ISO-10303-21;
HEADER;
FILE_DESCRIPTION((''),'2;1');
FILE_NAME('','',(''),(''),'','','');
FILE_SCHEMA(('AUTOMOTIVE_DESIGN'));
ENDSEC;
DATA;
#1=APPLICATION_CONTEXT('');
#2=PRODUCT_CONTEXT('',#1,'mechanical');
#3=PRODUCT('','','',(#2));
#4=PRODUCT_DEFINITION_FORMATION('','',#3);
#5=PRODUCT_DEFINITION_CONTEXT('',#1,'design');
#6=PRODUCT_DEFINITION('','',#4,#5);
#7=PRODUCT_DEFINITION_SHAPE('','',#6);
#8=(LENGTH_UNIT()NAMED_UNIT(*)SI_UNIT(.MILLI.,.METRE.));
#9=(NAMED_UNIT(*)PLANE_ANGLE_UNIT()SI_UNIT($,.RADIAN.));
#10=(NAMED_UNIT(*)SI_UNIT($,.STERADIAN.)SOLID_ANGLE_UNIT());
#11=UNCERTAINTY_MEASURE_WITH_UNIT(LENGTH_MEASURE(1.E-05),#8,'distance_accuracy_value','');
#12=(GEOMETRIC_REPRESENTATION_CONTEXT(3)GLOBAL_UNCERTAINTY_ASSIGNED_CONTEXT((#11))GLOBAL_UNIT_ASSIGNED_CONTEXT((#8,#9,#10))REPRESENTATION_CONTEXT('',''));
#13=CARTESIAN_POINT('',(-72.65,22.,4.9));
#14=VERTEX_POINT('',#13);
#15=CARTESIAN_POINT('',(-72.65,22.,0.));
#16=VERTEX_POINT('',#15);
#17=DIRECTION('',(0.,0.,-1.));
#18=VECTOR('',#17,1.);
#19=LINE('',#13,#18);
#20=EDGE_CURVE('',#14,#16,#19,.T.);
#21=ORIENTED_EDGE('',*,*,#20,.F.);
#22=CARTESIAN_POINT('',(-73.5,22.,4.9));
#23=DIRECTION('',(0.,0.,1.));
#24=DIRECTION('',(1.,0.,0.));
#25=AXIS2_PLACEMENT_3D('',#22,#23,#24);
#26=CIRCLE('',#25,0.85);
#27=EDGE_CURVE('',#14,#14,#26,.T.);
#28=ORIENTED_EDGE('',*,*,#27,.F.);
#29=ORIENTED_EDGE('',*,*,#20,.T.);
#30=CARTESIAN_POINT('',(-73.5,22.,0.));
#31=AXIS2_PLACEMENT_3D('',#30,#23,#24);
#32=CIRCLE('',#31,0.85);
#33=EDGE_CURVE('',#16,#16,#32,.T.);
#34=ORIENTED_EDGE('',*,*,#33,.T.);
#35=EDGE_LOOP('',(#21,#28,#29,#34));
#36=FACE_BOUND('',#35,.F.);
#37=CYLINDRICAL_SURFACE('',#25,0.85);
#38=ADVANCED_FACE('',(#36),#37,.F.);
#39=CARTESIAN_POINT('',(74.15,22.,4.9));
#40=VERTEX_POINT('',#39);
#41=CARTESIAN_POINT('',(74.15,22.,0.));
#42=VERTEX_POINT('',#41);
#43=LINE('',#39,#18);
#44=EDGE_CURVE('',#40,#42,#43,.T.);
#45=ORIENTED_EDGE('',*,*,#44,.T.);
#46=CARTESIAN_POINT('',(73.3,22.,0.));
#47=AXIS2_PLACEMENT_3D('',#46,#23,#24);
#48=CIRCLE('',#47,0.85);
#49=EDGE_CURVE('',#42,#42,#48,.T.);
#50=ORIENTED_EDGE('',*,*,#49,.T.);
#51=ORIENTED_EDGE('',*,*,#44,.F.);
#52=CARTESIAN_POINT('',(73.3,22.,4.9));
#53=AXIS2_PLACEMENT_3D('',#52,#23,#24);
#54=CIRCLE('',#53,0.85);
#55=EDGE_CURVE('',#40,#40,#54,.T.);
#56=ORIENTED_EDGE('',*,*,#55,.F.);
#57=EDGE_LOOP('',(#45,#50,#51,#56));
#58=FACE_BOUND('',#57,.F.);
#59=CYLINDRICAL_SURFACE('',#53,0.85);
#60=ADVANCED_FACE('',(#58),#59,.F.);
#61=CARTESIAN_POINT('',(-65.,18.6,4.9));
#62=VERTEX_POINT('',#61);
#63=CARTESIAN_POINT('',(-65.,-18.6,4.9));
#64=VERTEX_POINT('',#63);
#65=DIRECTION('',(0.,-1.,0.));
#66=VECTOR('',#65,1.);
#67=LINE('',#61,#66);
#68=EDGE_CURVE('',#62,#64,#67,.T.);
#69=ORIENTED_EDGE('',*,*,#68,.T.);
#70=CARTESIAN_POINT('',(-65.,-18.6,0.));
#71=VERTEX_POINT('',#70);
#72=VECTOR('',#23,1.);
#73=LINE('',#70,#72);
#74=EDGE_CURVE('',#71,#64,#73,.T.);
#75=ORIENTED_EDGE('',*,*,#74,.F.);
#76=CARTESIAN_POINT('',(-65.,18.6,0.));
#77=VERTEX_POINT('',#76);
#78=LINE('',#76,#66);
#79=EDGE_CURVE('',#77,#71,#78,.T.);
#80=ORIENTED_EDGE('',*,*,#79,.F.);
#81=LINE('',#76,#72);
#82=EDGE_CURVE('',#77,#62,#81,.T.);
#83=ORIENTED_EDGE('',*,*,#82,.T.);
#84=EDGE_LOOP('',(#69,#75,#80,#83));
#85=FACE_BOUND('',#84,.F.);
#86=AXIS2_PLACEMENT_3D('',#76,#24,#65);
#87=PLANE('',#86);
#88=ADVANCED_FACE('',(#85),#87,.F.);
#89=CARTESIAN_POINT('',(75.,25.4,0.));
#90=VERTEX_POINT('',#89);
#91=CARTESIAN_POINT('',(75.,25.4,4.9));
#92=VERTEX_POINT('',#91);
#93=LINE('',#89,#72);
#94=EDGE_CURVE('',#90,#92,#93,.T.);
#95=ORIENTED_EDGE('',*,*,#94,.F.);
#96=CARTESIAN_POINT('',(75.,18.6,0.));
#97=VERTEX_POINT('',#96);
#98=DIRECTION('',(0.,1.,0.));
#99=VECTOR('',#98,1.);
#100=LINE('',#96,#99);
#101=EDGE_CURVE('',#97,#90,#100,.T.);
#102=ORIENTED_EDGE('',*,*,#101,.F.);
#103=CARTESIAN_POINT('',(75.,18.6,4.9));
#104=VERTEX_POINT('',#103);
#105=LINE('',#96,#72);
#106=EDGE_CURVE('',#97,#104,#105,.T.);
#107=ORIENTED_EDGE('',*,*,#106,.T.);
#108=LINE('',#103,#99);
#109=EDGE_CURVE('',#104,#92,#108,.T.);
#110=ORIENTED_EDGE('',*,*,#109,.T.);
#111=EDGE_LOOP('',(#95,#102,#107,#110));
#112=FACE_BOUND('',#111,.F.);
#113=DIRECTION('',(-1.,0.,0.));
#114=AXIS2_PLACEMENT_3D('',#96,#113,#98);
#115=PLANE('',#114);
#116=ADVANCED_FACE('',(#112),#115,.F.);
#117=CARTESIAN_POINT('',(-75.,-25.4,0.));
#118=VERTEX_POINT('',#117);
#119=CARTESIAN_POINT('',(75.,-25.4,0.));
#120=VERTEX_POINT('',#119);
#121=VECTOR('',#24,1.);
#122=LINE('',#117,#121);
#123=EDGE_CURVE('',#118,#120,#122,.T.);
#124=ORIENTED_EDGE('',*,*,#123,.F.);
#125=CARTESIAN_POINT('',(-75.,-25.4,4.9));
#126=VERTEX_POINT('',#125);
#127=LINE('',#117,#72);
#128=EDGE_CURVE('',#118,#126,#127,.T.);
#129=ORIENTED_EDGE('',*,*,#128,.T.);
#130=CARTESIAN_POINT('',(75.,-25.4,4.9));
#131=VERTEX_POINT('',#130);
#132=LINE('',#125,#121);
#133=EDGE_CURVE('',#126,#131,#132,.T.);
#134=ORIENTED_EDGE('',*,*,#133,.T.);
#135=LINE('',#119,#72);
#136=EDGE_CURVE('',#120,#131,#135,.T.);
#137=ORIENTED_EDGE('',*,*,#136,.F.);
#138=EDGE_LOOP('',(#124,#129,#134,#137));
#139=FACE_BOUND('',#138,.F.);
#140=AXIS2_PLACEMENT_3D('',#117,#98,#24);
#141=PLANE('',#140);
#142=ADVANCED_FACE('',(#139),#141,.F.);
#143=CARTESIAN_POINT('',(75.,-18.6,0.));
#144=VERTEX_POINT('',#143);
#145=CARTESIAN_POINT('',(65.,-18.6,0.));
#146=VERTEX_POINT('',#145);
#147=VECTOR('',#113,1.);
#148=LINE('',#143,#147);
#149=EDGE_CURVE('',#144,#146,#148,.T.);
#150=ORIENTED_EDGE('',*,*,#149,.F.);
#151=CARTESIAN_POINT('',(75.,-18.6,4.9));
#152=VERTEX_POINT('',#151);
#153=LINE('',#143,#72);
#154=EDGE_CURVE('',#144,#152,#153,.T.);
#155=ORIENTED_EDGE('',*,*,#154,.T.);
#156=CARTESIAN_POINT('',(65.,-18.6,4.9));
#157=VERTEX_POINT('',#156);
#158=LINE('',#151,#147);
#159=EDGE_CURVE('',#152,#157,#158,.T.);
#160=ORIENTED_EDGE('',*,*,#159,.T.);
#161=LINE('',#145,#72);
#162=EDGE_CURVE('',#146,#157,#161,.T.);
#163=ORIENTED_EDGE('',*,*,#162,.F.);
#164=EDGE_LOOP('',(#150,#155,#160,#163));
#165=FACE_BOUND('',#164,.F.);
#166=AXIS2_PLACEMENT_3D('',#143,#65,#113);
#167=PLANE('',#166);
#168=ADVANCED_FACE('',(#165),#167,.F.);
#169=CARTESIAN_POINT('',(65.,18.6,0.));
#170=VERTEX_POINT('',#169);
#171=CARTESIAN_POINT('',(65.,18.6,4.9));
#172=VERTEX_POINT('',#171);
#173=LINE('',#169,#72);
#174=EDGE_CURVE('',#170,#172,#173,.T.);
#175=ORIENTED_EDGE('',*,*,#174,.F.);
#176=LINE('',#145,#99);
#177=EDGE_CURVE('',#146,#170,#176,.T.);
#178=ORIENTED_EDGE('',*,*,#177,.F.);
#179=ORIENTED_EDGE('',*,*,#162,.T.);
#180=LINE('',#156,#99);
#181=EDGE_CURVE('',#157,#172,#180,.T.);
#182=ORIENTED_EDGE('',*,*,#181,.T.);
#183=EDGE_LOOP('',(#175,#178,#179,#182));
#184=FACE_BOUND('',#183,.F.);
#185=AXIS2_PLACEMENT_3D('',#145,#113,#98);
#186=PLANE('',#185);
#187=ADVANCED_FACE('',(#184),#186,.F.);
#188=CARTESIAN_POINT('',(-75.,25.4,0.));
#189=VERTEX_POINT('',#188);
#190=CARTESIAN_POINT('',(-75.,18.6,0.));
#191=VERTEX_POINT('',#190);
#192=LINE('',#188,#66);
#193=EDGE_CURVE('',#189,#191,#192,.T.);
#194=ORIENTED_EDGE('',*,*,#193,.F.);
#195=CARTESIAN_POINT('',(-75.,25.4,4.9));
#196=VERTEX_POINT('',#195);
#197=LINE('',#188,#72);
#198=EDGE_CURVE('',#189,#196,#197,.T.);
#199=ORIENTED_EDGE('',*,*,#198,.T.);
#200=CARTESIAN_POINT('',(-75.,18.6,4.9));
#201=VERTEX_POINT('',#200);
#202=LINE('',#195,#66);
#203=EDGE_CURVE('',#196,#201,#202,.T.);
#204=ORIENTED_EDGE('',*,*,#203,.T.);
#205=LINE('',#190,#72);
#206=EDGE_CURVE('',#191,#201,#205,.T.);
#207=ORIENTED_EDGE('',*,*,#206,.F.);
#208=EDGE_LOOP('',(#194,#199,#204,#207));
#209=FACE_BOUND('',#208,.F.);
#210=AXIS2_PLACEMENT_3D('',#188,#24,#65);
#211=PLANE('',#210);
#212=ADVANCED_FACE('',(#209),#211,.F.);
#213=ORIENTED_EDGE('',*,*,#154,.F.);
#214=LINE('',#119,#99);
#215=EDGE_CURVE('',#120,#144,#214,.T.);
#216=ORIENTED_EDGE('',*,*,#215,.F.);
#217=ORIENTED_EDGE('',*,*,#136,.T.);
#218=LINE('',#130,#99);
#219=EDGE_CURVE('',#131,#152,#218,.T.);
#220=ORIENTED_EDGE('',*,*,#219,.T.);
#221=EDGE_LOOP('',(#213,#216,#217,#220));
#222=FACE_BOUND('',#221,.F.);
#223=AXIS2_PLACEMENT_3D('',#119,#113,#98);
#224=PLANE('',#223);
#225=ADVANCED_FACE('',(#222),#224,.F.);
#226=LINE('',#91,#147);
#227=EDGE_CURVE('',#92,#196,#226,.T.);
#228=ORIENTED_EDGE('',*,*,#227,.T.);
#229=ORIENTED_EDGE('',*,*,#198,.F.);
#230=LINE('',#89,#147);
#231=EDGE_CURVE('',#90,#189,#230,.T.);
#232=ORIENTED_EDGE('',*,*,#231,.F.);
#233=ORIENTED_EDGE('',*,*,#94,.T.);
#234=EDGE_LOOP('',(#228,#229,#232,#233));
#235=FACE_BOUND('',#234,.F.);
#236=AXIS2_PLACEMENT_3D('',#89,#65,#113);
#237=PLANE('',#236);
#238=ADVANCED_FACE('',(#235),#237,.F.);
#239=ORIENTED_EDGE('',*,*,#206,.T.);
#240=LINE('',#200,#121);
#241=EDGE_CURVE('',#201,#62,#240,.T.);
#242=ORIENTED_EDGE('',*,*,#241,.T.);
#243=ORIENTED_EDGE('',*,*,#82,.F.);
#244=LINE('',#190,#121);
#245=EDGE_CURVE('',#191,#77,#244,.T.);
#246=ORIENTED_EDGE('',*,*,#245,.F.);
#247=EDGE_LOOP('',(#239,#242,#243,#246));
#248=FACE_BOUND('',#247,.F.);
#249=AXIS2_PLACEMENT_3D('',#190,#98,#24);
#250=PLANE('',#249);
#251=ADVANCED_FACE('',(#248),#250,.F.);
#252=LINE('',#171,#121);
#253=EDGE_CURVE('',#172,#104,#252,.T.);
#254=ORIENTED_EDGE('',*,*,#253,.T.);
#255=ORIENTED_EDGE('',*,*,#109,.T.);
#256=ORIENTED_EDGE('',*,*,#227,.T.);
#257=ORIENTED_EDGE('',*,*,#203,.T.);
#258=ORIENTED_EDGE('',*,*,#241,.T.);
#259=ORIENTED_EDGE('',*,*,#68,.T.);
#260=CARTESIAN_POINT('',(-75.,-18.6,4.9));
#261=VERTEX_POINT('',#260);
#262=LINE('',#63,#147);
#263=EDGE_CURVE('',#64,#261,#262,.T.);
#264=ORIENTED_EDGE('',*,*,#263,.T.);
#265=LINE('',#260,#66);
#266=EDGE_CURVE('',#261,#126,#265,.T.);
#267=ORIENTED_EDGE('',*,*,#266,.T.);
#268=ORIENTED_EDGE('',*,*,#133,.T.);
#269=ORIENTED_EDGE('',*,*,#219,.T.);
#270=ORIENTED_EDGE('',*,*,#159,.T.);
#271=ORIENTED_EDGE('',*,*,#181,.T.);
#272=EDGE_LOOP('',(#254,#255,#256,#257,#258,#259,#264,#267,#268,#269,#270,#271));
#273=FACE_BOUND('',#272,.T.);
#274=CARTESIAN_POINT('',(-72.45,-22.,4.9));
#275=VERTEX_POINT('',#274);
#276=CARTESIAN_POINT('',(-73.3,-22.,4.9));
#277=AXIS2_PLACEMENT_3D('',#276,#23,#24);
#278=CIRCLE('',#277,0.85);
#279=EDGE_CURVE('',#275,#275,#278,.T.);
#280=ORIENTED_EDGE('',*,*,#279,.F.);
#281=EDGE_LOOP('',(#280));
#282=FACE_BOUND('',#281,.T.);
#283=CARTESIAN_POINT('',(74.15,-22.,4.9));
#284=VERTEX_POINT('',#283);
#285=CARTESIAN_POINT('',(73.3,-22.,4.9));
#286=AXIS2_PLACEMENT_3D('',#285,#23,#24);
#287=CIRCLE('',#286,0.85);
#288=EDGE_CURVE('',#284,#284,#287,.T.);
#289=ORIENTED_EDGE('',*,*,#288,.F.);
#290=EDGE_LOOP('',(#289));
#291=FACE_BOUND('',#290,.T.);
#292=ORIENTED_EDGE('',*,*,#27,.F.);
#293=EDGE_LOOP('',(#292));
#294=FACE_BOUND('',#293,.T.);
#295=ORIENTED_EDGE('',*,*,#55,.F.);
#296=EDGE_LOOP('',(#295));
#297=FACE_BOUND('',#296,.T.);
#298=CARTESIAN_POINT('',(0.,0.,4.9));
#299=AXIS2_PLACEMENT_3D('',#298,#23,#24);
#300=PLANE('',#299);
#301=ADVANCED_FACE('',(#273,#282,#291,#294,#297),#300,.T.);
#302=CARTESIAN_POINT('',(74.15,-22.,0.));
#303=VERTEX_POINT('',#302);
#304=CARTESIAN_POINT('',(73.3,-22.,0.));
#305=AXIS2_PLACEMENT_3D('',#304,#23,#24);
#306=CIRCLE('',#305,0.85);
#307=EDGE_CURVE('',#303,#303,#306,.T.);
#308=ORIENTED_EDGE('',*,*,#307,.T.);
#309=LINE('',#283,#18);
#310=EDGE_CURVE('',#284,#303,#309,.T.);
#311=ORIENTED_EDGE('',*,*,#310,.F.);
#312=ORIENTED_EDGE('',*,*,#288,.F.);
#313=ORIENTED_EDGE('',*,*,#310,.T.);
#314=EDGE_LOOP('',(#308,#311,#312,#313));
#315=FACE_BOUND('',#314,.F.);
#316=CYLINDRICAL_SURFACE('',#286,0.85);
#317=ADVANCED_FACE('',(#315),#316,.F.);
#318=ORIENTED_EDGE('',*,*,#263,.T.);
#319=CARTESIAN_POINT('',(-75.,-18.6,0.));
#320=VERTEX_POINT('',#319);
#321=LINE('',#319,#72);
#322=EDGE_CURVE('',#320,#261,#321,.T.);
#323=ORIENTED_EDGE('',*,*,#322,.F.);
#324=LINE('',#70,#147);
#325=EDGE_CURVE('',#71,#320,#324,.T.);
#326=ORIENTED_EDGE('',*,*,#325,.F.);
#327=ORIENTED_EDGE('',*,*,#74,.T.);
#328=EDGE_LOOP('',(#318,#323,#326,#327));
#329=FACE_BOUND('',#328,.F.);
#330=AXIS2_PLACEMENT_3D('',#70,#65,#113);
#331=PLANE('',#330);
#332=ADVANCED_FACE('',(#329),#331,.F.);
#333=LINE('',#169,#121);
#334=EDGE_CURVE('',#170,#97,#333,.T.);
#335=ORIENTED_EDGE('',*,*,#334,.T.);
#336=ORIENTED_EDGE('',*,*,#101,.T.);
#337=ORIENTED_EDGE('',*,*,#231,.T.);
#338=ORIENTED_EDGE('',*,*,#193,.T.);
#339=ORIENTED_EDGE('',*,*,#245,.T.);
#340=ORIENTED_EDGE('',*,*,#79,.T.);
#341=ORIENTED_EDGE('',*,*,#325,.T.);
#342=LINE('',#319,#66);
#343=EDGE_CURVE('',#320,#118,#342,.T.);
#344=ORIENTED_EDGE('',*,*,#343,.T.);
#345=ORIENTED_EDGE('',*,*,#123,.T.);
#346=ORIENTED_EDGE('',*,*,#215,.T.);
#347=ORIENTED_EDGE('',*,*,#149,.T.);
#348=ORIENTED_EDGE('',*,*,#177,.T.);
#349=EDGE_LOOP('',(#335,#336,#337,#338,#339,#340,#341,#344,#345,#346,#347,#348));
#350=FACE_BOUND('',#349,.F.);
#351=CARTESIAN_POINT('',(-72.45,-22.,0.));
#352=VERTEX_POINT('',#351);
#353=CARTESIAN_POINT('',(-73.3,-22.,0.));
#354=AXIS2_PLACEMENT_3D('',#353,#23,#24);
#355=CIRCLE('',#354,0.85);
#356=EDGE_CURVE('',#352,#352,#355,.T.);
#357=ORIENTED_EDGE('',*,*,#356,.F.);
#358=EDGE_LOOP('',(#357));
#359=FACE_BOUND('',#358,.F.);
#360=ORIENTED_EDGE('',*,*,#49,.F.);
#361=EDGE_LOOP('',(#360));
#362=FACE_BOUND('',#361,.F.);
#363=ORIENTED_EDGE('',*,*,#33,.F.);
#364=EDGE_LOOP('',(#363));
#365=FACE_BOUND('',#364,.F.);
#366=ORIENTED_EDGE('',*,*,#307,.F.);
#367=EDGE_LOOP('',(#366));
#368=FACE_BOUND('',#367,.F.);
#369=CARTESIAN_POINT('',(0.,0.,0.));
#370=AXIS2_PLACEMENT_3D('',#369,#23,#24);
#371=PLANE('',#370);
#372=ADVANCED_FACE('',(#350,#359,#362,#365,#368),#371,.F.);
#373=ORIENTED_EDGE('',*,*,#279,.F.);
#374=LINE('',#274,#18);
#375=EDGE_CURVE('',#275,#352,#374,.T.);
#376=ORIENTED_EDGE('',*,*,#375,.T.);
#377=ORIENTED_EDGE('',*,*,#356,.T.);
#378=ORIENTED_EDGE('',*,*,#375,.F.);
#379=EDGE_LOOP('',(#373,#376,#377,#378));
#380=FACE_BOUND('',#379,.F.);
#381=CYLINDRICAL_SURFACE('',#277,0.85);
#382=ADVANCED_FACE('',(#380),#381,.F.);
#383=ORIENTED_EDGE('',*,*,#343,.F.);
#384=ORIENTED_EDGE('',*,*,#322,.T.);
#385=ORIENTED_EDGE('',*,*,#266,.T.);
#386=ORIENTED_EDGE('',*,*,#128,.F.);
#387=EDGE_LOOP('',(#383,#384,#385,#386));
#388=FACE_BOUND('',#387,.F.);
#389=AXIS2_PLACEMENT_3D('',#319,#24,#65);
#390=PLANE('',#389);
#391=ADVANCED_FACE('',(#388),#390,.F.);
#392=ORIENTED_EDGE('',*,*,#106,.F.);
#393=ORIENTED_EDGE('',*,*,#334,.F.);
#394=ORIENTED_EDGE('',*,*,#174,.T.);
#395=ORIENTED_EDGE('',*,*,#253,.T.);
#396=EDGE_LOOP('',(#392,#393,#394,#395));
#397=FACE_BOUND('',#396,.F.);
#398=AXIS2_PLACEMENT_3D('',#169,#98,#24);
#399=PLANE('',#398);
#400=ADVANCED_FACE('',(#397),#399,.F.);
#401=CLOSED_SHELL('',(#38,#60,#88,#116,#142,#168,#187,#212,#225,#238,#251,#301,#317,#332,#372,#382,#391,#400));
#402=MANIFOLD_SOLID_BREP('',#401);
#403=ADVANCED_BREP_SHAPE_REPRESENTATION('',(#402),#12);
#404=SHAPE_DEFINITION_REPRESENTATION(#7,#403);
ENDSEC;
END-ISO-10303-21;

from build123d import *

# Parameters (mm, degrees)
F1_DEPTH = 4.9
F2_R     = 0.85
F3_DEPTH = 4.901


with BuildPart() as f1:
    # F0 (on Top) → F1 (new body)
    with BuildSketch(Plane.XY):
        Polygon((-75, -25.4), (75, -25.4), (75, -18.6), (65, -18.6), (65, 18.6), (75, 18.6), (75, 25.4), (-75, 25.4), (-75, 18.6), (-65, 18.6), (-65, -18.6), (-75, -18.6), align=None)
    extrude(amount=F1_DEPTH)

    # F2 (on face) → F3 (cut, through all)
    with BuildSketch(Plane.XY.offset(4.9)):
        with Locations((-73.5, 22)):
            Circle(F2_R)
        with Locations((-73.3, -22)):
            Circle(F2_R)
        with Locations((73.3, 22)):
            Circle(F2_R)
        with Locations((73.3, -22)):
            Circle(F2_R)
    extrude(amount=-F3_DEPTH, mode=Mode.SUBTRACT)


solid = f1.part
